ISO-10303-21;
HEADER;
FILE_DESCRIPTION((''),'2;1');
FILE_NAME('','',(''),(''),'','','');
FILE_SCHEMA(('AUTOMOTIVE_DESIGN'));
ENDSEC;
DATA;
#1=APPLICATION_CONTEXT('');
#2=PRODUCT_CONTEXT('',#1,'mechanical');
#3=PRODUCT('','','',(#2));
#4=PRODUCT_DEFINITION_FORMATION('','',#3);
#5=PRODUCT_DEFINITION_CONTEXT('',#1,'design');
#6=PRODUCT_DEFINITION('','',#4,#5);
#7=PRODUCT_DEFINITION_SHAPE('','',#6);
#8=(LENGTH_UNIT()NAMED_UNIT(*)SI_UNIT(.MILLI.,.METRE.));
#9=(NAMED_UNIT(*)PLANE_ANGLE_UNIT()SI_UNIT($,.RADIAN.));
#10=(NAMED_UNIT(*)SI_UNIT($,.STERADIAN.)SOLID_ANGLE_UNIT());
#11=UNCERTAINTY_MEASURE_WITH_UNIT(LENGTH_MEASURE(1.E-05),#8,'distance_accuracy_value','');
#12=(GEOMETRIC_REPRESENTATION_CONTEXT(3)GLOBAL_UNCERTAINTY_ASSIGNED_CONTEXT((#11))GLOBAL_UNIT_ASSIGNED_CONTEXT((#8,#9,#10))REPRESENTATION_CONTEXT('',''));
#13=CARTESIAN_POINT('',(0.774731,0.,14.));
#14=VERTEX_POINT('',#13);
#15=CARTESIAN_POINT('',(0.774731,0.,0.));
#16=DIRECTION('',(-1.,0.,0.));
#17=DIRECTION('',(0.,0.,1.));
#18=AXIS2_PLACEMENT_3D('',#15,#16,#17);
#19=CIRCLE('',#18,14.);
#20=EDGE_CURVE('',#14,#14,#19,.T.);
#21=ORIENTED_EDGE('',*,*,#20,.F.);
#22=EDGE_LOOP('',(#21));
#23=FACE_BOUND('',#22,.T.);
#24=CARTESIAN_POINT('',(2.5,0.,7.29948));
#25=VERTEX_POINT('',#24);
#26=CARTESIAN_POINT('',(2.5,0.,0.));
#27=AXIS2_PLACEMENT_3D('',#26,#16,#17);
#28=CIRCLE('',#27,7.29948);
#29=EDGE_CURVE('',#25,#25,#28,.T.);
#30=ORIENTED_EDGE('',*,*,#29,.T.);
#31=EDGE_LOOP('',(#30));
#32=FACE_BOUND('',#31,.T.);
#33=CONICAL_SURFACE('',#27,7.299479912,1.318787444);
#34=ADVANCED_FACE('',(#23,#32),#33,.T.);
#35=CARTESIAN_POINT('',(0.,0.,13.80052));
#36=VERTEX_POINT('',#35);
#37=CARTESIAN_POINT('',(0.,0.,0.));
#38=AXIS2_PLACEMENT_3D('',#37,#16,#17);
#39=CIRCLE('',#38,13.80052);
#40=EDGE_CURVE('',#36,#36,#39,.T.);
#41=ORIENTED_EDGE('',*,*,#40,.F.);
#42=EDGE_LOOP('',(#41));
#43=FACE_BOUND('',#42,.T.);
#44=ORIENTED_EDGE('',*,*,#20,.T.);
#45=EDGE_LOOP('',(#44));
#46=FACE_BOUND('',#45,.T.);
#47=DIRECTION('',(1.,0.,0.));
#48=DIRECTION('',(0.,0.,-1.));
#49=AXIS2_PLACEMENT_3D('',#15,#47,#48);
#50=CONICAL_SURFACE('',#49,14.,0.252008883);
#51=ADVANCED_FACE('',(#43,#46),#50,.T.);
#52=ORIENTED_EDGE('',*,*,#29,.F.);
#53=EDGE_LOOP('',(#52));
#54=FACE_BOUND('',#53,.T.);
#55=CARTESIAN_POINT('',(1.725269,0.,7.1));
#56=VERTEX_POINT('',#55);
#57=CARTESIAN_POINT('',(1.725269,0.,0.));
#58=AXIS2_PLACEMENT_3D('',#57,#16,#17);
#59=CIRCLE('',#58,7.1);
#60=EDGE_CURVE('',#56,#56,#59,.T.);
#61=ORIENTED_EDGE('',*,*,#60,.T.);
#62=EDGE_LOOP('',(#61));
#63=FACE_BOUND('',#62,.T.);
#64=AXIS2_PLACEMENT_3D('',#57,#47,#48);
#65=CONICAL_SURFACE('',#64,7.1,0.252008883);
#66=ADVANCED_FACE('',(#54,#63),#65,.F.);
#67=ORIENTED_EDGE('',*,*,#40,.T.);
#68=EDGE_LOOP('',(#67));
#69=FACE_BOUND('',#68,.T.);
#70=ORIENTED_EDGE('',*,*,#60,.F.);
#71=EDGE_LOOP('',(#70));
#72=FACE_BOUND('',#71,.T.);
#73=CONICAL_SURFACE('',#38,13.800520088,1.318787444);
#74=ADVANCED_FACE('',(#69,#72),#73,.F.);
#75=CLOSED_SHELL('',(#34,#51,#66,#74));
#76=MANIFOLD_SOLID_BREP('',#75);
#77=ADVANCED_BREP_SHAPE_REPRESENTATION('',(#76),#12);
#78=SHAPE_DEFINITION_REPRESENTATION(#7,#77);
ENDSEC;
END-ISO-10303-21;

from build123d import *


with BuildPart() as part:
    # Esquisse2 → Base-Révolution (revolve)
    with BuildSketch(Plane.XY):
        Polygon((1.725269231, 7.1), (2.5, 7.299479912), (0.774730769, 14), (0, 13.800520088), align=None)
    revolve(axis=Axis((0, 0, 0), (1, 0, 0)))


solid = part.part
